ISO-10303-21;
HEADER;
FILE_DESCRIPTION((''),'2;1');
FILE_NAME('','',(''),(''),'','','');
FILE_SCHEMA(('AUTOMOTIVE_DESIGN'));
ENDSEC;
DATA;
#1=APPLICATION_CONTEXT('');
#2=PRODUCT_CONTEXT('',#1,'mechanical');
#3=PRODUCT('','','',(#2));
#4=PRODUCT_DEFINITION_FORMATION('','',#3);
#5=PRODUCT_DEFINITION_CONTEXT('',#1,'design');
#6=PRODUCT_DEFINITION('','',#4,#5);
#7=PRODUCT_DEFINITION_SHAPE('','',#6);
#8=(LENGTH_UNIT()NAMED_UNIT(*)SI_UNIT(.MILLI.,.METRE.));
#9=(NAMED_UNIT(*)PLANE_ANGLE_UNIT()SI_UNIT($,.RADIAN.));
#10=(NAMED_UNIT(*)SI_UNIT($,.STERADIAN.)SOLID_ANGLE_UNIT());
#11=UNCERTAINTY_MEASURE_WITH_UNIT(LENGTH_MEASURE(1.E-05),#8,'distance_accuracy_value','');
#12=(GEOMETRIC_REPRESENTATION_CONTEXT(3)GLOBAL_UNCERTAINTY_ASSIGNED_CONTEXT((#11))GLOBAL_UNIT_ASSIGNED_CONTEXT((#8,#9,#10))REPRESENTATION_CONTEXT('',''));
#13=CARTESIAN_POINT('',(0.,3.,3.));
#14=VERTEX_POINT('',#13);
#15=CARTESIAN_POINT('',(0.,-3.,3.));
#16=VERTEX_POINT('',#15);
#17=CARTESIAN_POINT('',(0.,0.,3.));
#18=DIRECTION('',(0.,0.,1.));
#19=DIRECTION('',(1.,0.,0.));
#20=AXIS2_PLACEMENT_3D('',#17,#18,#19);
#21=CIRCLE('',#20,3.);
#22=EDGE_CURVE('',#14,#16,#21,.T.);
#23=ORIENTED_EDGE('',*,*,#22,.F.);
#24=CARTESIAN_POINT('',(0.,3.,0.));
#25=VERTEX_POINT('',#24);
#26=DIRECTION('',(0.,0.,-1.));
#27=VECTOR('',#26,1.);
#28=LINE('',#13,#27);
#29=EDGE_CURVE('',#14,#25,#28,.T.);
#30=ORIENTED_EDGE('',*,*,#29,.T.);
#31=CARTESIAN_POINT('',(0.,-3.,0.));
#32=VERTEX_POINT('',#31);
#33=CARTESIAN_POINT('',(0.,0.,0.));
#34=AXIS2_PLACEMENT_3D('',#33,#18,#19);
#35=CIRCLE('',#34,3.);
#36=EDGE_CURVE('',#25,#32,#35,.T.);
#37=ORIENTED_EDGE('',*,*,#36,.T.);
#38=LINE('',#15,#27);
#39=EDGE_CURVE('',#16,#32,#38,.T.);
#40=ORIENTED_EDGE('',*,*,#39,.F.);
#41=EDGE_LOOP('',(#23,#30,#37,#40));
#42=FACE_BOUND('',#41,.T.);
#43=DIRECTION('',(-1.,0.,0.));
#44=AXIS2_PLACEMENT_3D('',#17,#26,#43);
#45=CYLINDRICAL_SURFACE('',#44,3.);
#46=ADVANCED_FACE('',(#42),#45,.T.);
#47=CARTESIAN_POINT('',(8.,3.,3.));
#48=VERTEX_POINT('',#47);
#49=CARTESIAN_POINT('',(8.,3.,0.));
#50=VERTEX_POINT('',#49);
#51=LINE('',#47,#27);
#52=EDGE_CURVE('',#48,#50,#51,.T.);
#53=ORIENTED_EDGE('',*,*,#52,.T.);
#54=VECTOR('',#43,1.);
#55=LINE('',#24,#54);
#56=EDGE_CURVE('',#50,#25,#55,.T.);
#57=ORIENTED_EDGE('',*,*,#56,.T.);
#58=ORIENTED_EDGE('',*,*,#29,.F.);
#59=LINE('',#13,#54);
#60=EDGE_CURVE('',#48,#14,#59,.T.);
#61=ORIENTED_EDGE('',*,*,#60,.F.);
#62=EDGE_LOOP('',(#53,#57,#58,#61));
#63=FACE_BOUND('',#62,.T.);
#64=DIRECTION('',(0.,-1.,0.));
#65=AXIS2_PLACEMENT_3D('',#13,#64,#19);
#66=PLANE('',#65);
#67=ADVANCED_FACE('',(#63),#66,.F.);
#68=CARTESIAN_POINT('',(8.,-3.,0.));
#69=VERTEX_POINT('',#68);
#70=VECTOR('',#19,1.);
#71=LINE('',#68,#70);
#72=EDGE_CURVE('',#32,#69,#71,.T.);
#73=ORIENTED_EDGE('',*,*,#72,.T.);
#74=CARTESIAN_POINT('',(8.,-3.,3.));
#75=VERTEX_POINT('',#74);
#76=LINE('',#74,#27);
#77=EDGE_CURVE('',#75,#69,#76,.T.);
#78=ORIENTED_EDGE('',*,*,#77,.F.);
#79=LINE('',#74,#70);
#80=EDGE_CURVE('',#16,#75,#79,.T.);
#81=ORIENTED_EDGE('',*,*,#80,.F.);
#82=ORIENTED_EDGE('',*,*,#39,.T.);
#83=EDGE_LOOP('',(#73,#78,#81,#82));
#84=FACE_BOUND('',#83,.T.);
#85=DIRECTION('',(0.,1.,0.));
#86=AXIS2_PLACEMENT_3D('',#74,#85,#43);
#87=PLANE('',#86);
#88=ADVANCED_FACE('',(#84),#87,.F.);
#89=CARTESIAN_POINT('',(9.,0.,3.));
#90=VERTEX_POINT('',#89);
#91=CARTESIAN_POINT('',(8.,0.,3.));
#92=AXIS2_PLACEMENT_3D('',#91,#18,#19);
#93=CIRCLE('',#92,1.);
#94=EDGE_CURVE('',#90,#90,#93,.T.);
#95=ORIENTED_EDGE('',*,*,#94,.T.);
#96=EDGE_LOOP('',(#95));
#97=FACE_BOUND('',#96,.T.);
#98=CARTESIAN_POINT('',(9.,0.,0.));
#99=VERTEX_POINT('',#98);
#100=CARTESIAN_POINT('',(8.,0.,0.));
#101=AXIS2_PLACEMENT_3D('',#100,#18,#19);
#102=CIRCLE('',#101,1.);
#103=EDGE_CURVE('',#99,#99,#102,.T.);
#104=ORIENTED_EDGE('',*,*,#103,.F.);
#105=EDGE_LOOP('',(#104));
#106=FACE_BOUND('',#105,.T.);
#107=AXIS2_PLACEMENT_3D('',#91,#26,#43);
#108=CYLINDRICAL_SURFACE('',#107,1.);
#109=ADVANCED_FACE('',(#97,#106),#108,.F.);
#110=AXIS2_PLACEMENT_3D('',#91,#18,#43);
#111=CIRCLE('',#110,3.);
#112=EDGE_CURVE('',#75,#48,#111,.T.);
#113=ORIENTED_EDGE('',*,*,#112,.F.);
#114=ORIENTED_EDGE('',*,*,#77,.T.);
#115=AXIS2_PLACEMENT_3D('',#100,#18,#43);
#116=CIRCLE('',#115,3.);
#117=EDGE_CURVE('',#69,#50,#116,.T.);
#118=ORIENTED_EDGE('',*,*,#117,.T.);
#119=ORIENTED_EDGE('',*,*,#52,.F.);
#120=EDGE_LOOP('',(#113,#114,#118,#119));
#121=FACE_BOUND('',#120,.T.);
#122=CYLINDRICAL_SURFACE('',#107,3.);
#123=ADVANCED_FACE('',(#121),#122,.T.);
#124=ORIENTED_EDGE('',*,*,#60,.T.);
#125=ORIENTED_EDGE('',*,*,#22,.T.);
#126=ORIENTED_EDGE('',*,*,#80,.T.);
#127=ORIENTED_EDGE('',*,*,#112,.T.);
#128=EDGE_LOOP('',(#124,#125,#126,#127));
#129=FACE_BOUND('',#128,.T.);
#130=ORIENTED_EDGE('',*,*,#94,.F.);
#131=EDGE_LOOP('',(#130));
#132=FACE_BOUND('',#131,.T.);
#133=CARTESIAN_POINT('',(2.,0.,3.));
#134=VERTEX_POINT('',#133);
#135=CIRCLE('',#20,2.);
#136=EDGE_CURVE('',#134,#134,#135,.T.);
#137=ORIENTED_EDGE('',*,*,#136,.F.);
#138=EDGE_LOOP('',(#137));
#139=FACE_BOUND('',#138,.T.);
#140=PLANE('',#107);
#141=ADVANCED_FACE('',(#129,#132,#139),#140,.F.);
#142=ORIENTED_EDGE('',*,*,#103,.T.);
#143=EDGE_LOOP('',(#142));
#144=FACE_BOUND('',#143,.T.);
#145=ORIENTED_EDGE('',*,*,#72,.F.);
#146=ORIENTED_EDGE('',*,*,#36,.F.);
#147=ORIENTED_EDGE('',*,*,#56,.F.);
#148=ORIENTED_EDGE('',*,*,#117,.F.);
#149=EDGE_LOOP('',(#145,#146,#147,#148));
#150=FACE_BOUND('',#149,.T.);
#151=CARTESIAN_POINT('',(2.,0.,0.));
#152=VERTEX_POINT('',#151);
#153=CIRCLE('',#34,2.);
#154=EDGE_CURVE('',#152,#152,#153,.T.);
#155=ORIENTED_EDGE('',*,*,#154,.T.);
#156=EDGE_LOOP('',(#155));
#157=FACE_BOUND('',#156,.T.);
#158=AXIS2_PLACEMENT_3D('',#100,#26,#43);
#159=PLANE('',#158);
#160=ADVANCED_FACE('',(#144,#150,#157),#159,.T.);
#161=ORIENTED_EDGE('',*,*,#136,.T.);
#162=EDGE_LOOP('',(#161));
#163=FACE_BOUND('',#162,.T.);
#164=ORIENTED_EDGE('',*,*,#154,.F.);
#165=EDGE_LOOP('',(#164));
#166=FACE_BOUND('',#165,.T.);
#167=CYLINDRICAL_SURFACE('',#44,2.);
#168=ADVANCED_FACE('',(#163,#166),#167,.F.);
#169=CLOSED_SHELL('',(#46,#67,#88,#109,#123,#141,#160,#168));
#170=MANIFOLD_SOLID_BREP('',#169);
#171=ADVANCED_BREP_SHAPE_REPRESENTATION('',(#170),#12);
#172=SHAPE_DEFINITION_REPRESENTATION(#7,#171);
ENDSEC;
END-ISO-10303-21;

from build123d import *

# Parameters (mm, degrees)
SKETCH_1_R      = 2
SKETCH_1_R_2    = 1
EXTRUDE_1_DEPTH = 3


with BuildPart() as part:
    # Эскиз1 → Бобышка-Вытянуть1 (new body)
    with BuildSketch(Plane.XY):
        with BuildLine():
            Line((0, 3), (8, 3))
            ThreePointArc((8, 3), (10.121320344, 2.121320344), (11, 0))
            ThreePointArc((11, 0), (10.121320344, -2.121320344), (8, -3))
            Line((8, -3), (0, -3))
            ThreePointArc((0, -3), (-3, 0), (0, 3))
        make_face()
        Circle(SKETCH_1_R, mode=Mode.SUBTRACT)
        with Locations((8, 0)):
            Circle(SKETCH_1_R_2, mode=Mode.SUBTRACT)
    extrude(amount=EXTRUDE_1_DEPTH)


solid = part.part
